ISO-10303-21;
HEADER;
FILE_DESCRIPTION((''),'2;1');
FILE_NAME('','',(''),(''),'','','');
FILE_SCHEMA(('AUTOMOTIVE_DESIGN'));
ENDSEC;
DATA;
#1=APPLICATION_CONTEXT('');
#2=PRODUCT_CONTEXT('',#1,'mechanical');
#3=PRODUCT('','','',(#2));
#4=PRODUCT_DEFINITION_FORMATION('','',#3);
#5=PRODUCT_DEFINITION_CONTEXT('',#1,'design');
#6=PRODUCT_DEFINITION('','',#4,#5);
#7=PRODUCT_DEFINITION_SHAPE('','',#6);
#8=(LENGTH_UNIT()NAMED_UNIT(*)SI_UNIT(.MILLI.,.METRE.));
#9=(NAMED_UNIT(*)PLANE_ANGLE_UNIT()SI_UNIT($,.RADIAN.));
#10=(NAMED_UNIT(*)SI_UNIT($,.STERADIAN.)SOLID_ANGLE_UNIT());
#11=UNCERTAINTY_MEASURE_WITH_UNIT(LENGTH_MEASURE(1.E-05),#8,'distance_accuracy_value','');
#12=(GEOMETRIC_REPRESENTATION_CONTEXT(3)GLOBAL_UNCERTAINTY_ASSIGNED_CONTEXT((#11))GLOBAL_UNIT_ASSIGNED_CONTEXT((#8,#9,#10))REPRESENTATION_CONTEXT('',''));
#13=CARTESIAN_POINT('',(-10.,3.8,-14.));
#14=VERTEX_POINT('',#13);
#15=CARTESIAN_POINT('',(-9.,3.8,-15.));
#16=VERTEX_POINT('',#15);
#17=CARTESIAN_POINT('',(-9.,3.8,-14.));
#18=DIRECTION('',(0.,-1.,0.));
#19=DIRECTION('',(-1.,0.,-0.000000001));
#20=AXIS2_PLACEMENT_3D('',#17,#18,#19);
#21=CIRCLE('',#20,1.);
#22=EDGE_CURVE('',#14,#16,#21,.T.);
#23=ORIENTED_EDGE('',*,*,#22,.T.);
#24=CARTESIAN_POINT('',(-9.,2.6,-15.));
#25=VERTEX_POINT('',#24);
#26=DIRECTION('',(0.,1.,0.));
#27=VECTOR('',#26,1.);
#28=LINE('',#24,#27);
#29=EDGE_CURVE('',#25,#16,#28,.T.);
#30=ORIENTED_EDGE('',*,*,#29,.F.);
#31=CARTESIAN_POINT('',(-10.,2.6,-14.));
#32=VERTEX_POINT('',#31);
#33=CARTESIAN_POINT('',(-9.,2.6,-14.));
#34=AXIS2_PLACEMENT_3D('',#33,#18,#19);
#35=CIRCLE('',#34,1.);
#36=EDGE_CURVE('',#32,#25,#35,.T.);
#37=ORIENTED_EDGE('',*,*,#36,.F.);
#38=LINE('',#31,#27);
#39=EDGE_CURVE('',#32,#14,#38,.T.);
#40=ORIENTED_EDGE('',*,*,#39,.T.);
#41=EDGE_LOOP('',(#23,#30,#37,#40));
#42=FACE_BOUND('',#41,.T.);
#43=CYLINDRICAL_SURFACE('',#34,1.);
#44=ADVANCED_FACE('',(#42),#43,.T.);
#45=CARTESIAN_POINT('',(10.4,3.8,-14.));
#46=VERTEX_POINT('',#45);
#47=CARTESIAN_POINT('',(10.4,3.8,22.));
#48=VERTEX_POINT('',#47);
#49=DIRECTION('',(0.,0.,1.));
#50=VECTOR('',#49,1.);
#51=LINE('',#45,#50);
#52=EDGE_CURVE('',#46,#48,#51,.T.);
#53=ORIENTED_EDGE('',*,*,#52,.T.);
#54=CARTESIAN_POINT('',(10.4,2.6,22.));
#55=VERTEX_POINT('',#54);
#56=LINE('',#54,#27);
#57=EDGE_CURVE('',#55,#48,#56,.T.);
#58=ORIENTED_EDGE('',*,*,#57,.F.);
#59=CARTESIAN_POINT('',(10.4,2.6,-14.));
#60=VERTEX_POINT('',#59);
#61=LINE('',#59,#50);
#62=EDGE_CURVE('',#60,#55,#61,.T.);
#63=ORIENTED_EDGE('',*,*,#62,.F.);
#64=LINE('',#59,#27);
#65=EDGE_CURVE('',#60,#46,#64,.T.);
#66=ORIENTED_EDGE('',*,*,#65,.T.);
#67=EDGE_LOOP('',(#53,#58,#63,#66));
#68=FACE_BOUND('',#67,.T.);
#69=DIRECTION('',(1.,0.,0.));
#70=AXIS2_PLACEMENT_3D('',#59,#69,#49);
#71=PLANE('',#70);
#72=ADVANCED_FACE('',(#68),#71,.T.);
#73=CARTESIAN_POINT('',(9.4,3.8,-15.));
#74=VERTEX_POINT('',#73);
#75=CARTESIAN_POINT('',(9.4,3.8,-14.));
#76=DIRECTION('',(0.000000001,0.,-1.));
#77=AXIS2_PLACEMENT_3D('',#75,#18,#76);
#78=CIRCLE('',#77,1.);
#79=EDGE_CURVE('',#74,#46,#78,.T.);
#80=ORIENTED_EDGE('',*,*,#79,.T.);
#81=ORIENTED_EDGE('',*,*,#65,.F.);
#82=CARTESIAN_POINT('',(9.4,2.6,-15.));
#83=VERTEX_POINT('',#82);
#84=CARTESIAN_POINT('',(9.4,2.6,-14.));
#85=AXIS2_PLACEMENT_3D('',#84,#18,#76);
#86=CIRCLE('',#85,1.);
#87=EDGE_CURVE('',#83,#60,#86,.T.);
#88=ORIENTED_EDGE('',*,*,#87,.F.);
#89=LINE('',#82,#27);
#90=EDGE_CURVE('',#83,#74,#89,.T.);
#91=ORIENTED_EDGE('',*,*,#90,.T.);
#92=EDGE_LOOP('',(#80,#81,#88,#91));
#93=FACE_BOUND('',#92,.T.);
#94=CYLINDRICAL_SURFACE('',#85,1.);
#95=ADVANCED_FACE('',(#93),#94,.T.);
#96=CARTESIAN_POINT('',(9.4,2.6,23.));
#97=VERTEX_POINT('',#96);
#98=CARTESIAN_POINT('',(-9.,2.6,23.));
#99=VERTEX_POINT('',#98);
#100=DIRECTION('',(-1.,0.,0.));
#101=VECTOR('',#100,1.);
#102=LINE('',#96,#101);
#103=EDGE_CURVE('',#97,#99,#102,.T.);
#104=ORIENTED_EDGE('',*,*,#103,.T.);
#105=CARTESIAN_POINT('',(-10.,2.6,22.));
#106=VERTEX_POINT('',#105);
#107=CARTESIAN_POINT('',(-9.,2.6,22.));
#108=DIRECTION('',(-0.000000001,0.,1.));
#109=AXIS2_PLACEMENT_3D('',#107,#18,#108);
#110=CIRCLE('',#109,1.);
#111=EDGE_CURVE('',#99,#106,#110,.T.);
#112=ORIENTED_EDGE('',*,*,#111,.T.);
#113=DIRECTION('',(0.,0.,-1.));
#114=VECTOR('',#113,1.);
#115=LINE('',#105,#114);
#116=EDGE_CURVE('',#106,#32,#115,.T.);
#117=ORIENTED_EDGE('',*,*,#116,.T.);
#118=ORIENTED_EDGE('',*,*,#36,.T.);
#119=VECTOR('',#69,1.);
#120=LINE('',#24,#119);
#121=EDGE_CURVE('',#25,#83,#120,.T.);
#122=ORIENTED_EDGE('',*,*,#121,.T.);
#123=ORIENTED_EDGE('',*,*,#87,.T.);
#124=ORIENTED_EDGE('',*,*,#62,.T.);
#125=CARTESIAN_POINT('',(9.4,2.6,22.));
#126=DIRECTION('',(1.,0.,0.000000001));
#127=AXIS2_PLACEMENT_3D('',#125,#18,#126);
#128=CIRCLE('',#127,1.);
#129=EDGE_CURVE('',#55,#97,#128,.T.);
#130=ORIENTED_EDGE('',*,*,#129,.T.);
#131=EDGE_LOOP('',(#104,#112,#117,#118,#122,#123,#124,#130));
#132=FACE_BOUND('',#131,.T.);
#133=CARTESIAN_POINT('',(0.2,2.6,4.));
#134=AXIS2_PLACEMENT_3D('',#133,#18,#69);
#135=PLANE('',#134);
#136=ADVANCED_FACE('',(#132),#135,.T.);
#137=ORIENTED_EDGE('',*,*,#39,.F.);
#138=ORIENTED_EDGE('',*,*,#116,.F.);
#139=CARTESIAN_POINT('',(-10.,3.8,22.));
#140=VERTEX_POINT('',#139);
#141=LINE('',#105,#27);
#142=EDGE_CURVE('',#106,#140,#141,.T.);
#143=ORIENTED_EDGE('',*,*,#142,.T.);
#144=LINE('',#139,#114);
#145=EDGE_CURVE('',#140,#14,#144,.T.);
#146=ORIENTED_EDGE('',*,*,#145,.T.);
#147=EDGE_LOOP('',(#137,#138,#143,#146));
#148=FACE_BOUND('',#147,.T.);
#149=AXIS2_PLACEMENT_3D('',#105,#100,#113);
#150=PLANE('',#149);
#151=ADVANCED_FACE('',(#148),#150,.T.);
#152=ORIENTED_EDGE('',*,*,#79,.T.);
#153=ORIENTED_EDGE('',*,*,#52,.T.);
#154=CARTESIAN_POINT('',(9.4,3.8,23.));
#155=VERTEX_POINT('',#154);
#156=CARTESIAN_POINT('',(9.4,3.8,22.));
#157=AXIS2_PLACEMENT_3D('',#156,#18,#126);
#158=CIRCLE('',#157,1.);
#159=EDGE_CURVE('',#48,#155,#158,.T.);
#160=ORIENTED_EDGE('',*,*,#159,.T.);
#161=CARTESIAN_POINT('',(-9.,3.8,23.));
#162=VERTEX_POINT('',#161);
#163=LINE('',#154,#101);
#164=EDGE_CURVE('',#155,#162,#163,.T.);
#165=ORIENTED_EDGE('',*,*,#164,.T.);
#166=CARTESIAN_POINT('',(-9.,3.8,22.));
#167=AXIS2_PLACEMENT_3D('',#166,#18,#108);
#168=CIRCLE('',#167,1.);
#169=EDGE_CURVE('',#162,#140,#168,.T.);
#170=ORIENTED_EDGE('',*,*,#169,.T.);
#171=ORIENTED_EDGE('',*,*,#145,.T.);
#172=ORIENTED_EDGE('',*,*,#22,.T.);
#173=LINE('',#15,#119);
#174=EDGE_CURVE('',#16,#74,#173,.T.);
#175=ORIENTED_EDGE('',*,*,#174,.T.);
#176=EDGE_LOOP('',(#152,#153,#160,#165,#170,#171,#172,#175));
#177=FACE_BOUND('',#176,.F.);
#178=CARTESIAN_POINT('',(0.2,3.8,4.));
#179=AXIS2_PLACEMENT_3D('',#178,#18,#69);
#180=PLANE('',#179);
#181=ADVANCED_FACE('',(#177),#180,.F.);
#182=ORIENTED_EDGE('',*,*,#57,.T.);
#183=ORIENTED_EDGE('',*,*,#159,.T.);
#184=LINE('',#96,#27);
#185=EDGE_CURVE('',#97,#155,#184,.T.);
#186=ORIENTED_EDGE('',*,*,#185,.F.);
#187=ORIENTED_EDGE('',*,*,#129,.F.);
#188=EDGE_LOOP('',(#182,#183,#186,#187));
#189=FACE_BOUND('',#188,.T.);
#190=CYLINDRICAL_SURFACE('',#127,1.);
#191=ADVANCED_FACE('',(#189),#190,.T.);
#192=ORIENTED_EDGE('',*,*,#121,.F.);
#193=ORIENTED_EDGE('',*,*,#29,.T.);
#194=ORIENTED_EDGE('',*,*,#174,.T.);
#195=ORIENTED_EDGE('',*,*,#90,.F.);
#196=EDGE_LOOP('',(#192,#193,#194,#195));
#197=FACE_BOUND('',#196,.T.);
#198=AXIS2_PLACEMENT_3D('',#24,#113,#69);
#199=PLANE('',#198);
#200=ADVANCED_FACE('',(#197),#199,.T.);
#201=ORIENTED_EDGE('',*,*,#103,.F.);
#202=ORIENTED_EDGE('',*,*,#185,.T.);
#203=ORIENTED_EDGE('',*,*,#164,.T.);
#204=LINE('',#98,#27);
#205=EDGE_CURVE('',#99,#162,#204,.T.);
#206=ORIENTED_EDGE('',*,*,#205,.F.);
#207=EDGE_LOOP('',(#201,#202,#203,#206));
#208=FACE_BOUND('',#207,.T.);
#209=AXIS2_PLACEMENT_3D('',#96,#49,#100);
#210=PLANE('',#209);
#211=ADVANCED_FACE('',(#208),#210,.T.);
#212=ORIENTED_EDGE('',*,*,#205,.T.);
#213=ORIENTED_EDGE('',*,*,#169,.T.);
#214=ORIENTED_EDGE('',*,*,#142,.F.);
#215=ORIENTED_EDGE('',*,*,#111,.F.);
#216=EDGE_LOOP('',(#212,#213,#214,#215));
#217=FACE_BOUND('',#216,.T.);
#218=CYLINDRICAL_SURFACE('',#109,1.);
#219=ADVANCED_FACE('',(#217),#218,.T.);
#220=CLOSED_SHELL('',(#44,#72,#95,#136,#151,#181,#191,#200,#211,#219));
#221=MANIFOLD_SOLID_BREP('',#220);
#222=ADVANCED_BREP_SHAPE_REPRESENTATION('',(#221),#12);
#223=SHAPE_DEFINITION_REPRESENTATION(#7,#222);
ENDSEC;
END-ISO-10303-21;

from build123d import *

# Parameters (mm, degrees)
BOSS_EXTRUDE1_DEPTH = 1.2


with BuildPart() as part:
    # Sketch1 → Boss-Extrude1 (new body)
    with BuildSketch(Plane.XZ.offset(-2.6)):
        with BuildLine():
            Line((10.4, -14), (10.4, 22))
            ThreePointArc((10.4, 22), (10.107106781, 22.707106781), (9.4, 23))
            Line((9.4, 23), (-9, 23))
            ThreePointArc((-9, 23), (-9.707106781, 22.707106781), (-10, 22))
            Line((-10, 22), (-10, -14))
            ThreePointArc((-10, -14), (-9.707106781, -14.707106781), (-9, -15))
            Line((-9, -15), (9.4, -15))
            ThreePointArc((9.4, -15), (10.107106781, -14.707106781), (10.4, -14))
        make_face()
    extrude(amount=-BOSS_EXTRUDE1_DEPTH)


solid = part.part
